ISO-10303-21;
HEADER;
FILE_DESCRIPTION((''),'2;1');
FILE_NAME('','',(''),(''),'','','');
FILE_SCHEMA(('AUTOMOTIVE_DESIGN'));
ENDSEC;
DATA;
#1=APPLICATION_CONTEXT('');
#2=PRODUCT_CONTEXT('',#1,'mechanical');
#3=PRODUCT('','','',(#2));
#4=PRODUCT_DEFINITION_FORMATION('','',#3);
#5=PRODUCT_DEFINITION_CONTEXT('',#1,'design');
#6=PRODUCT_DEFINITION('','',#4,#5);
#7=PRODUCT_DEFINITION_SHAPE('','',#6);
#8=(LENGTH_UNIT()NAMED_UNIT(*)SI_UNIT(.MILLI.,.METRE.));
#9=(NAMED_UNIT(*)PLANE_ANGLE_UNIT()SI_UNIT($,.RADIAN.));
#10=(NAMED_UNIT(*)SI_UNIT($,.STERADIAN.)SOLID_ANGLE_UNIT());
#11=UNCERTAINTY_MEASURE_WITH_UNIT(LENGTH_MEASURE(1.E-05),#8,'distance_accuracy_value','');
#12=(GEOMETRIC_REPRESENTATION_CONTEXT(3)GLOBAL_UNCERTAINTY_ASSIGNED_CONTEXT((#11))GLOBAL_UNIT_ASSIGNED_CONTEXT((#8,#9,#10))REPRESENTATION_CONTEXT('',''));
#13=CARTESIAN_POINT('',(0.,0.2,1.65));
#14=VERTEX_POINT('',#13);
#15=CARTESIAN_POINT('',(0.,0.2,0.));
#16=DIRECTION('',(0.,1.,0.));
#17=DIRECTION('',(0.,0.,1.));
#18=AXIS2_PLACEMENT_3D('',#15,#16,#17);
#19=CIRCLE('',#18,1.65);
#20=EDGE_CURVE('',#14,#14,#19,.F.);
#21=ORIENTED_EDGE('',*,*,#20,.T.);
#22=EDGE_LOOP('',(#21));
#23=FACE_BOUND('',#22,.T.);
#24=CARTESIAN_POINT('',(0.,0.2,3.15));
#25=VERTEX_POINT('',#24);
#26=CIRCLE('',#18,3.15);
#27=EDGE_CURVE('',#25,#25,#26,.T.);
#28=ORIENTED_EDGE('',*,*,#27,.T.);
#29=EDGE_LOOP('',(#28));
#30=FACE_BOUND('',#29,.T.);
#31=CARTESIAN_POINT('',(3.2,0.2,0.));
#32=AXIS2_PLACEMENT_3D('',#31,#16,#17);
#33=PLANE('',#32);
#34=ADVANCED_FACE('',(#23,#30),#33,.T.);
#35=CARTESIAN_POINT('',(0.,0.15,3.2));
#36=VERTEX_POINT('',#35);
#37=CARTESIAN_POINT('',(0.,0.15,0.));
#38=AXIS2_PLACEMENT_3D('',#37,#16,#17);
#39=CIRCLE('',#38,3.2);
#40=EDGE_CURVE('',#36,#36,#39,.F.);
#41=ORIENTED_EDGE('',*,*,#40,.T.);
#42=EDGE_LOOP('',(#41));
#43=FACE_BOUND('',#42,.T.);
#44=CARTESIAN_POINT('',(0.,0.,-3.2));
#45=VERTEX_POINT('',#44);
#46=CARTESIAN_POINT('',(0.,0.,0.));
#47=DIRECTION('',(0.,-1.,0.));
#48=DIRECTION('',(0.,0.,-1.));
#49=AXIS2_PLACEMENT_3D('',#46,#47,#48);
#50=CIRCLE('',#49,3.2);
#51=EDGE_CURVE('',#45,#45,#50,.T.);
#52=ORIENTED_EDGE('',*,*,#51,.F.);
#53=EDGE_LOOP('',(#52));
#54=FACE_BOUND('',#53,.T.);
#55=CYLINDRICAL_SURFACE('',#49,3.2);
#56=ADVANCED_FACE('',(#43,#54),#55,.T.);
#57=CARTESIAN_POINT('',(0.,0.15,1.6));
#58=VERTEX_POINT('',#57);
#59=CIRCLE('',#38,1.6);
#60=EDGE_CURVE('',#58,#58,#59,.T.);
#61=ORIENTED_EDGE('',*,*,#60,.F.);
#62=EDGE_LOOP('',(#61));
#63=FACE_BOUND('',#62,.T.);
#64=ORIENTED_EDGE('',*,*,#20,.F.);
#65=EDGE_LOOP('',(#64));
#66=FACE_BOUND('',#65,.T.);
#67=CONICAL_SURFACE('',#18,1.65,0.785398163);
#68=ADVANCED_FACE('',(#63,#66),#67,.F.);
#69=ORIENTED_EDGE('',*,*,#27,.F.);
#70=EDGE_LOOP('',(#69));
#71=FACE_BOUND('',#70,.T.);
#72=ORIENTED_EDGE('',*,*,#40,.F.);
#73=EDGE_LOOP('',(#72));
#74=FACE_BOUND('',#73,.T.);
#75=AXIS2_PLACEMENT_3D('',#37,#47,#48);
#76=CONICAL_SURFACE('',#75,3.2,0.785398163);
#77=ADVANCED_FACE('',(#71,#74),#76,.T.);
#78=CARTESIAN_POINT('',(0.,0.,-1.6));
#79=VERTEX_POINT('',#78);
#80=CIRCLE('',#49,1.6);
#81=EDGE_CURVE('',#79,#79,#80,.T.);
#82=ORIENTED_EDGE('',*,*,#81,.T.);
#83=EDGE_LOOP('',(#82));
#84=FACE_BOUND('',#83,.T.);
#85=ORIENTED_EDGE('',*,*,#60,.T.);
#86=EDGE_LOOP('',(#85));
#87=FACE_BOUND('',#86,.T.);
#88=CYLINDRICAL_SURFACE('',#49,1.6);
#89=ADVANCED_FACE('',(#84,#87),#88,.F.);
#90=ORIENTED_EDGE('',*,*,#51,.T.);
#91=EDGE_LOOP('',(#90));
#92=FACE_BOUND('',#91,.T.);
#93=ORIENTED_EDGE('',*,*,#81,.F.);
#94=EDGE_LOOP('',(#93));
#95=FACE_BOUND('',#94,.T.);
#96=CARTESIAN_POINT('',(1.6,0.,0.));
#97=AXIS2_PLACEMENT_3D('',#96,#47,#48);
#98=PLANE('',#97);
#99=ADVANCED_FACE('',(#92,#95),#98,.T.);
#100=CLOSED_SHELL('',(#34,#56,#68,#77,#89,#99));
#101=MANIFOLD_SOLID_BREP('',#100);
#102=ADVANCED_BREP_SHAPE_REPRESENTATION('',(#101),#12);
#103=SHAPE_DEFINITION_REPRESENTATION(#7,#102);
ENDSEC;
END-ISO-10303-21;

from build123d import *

# Parameters (mm, degrees)
SKIZZE1_W  = 1.6
SKIZZE1_H  = 0.2
FASE1_SIZE = 0.05


with BuildPart() as part:
    # Skizze1 → Rotation1 (revolve)
    with BuildSketch(Plane.XY):
        with Locations((2.4, 0.1)):
            Rectangle(SKIZZE1_W, SKIZZE1_H)
    revolve(axis=Axis((0, 0, 0), (0, 1, 0)))

    # Fase1
    fase1_edges = [part.edges().sort_by_distance(p)[0] for p in [
        (-3.2, 0.2, 0),
        (-1.6, 0.2, 0),
    ]]
    chamfer(fase1_edges, length=FASE1_SIZE)


solid = part.part
